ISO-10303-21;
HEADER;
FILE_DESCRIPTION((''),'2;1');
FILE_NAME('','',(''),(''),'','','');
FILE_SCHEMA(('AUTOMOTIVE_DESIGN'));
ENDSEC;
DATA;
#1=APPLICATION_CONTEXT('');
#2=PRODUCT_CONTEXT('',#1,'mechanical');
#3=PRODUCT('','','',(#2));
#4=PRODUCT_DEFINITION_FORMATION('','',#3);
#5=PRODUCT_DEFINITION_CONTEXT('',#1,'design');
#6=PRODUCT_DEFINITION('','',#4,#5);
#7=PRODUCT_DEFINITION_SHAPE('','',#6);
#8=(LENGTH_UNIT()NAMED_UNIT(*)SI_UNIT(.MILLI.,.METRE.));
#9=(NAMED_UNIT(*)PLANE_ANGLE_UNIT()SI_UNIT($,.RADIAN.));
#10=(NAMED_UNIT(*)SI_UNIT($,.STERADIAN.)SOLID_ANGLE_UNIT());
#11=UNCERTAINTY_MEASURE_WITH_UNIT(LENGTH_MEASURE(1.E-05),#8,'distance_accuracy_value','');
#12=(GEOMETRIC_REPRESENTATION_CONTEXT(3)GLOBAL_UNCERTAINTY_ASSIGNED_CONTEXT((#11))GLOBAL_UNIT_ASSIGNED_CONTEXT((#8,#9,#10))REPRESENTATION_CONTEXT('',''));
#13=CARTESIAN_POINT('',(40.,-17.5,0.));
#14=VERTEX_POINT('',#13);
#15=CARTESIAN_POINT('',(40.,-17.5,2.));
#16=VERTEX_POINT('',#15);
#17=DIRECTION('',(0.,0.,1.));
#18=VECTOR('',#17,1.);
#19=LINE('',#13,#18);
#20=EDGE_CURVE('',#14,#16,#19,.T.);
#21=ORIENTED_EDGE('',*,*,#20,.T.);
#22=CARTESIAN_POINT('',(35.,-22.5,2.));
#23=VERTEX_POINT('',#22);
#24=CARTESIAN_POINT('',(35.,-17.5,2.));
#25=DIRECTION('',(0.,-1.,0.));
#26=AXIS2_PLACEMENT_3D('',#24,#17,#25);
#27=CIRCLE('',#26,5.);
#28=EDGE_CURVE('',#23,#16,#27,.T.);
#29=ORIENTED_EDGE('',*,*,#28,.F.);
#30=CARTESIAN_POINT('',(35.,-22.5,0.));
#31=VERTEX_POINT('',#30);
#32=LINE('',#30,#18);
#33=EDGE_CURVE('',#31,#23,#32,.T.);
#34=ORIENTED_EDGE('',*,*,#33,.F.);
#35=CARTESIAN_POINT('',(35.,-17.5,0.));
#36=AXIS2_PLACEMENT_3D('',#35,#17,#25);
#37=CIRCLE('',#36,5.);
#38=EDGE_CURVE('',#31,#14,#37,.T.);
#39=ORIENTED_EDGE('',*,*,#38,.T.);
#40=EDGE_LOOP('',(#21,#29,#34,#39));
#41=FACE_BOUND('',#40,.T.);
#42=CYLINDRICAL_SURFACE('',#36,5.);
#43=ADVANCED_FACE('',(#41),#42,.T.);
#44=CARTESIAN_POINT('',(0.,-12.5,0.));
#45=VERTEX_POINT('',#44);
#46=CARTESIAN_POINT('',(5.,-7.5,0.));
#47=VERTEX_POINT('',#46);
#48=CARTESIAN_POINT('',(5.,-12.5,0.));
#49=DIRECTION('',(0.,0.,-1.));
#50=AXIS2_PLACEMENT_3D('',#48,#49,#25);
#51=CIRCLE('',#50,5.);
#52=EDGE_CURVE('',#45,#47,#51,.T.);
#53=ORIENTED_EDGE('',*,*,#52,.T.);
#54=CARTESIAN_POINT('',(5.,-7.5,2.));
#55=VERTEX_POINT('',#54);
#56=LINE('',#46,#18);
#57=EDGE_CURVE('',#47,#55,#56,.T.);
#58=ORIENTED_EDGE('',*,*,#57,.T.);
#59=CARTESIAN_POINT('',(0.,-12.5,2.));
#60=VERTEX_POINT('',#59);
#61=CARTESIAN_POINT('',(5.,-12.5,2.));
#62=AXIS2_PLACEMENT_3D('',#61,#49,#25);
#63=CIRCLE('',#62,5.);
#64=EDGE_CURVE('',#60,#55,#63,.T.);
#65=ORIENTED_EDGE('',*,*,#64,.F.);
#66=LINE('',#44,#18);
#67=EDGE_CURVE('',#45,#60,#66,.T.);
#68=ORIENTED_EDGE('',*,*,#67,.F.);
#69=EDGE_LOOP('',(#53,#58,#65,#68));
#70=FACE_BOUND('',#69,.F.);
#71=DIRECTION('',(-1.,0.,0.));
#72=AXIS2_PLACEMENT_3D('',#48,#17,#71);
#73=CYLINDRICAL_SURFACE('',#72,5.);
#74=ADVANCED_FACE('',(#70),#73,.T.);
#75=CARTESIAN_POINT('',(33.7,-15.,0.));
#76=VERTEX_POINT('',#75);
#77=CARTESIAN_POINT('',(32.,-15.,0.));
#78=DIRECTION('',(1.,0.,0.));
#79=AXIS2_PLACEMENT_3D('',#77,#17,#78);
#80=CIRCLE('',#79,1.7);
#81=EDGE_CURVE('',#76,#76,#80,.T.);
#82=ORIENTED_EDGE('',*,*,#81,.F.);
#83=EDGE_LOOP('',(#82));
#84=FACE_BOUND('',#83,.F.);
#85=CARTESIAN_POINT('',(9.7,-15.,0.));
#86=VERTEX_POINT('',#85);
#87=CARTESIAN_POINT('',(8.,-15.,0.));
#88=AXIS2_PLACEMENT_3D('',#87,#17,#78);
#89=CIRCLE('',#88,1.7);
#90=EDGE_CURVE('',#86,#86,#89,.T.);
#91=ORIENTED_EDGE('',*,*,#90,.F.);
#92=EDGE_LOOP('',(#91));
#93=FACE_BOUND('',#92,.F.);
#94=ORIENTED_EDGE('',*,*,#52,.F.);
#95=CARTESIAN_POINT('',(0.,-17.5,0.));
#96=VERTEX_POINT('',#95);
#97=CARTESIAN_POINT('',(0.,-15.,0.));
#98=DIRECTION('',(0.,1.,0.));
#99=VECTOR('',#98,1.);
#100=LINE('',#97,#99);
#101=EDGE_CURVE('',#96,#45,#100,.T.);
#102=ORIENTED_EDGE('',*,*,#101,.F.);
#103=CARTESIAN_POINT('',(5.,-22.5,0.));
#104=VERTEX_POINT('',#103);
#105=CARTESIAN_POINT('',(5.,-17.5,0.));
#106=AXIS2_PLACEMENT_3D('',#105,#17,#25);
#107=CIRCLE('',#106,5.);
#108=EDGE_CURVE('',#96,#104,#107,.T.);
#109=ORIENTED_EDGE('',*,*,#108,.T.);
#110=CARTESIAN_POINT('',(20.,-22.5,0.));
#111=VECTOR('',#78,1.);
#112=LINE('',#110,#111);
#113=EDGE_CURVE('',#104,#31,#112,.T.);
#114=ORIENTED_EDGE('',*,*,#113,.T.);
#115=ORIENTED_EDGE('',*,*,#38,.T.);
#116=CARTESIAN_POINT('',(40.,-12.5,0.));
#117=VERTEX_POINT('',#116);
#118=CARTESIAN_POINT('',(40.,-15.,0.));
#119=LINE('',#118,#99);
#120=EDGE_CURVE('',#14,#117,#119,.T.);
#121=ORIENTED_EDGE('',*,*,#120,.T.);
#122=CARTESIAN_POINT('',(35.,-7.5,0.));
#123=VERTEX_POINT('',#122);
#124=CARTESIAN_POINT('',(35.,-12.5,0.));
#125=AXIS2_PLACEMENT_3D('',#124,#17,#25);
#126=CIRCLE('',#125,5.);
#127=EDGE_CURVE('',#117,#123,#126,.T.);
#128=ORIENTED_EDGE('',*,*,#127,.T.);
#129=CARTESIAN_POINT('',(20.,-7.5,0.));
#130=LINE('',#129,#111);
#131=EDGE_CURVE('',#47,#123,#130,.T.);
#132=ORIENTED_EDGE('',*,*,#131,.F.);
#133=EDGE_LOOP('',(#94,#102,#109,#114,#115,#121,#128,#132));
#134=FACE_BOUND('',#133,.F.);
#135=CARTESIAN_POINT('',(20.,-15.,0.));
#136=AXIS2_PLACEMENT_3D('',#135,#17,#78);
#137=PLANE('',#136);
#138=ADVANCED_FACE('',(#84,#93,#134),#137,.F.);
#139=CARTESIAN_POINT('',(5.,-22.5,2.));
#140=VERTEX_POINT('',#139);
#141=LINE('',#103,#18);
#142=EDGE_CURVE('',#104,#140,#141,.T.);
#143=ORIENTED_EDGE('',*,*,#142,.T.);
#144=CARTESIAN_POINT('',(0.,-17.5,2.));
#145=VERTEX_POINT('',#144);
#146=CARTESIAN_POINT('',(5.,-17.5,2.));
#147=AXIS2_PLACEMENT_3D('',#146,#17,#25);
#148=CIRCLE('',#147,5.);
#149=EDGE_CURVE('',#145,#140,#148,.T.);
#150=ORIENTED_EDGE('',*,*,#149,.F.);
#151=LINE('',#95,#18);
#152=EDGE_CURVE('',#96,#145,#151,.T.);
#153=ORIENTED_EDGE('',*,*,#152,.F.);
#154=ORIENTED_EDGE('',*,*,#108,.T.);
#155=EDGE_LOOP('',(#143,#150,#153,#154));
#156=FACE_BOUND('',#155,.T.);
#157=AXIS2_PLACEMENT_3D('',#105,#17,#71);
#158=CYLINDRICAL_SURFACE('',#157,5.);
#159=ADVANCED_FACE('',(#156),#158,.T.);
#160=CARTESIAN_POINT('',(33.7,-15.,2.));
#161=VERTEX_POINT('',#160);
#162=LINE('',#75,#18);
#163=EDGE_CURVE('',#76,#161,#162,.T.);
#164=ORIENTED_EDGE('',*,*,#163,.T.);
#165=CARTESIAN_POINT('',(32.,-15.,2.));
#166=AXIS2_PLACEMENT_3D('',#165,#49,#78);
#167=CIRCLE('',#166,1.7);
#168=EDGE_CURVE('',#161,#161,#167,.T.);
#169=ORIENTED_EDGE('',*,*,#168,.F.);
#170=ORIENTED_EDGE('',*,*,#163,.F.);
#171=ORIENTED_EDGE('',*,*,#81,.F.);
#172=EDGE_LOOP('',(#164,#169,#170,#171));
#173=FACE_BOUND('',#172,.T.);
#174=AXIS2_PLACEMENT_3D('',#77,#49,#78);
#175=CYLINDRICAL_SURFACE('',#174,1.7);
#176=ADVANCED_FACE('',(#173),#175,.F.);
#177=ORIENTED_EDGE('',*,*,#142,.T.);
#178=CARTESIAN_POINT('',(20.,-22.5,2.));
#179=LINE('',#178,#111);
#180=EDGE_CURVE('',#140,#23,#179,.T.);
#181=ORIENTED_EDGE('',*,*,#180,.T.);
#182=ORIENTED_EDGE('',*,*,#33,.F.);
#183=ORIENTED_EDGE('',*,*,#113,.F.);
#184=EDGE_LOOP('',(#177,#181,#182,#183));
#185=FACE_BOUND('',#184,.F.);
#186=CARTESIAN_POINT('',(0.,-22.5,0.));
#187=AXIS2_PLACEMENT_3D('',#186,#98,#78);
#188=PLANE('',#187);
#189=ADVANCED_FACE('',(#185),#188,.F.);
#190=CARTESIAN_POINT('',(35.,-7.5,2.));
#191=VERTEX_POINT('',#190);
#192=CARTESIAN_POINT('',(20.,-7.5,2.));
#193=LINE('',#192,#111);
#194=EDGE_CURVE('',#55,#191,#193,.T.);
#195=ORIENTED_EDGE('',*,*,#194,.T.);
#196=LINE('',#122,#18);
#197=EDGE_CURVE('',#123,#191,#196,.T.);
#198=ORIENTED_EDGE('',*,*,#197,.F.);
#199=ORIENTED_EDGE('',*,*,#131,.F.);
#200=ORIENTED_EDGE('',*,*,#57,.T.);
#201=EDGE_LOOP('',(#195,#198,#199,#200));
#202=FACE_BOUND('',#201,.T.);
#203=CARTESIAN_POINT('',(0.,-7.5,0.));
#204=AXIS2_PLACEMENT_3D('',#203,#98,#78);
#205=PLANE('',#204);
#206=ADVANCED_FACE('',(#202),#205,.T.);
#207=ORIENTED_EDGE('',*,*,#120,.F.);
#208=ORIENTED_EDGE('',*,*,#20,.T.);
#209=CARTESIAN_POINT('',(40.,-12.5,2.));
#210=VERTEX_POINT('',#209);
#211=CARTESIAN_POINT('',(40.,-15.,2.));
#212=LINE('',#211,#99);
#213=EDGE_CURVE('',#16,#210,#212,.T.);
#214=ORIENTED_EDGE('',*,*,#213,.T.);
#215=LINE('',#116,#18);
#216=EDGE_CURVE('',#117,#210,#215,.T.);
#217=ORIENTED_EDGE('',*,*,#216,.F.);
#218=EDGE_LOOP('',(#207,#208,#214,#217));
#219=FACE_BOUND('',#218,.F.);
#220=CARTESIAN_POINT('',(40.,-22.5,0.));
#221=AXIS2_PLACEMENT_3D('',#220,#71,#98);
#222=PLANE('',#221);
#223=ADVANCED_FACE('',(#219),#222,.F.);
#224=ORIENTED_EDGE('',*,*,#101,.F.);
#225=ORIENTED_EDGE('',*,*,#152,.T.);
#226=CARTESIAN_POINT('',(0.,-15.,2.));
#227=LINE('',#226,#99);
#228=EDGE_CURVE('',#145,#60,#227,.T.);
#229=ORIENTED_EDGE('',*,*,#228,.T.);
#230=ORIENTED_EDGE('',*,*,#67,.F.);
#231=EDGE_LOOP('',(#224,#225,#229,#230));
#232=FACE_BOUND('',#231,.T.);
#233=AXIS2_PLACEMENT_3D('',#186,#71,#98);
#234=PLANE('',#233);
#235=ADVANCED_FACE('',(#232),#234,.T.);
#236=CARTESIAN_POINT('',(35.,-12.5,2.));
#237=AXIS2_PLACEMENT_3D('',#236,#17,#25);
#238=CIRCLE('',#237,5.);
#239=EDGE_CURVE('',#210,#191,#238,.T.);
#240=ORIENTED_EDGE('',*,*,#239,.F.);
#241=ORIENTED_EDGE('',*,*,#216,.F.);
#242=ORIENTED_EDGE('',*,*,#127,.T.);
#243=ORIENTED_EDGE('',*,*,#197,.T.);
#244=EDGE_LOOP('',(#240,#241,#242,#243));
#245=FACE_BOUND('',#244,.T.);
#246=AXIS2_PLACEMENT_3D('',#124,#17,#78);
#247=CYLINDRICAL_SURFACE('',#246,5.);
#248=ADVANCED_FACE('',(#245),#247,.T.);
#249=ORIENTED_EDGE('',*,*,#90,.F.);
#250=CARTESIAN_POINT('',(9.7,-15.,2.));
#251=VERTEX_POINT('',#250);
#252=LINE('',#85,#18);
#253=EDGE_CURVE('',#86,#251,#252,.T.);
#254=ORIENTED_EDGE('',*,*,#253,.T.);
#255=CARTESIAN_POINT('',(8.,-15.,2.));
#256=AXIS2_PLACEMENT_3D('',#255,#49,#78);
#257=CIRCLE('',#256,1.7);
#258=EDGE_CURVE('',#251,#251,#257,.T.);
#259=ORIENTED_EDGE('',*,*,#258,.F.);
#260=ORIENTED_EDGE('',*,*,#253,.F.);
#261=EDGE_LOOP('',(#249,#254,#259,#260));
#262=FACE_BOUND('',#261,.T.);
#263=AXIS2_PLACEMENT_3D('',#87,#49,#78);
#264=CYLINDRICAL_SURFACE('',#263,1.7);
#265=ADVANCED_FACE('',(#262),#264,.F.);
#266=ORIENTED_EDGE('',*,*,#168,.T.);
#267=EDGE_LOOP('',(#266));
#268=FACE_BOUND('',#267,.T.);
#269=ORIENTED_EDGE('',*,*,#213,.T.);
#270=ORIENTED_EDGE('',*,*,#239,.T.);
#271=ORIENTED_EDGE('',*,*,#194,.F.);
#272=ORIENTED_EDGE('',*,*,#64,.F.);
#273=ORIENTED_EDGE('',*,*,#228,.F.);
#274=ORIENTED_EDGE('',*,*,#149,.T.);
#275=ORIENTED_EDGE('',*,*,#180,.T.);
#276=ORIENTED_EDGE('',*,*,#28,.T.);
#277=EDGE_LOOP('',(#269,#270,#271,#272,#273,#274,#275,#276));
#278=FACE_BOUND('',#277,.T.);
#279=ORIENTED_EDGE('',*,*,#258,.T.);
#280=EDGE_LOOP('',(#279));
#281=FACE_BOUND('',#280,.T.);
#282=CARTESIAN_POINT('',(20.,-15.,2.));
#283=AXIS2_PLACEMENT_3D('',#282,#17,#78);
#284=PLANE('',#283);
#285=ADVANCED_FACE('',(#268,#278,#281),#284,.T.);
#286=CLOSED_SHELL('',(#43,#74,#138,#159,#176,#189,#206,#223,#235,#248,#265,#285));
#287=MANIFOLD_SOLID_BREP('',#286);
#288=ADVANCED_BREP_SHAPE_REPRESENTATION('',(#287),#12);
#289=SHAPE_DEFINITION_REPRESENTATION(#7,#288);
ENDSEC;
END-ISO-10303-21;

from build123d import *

# Parameters (mm, degrees)
CYLINDER001_R     = 1.7
CYLINDER001_DEPTH = 10
CYLINDER_R        = 1.7
CYLINDER_DEPTH    = 10
BOX003_W          = 40
BOX003_H          = 15
BOX003_DEPTH      = 2
FILLET003_R       = 5


with BuildPart() as cylinder001:
    # Cylinder001 → Cylinder001 (new body)
    with BuildSketch(Plane(origin=(32, 0, 0), x_dir=(1, 0, 0), z_dir=(0, 0, 1))):
        Circle(CYLINDER001_R)
    extrude(amount=CYLINDER001_DEPTH)


with BuildPart() as cylinder:
    # Cylinder → Cylinder (new body)
    with BuildSketch(Plane(origin=(8, 0, 0), x_dir=(1, 0, 0), z_dir=(0, 0, 1))):
        Circle(CYLINDER_R)
    extrude(amount=CYLINDER_DEPTH)


with BuildPart() as union:
    # Box003 → Box003 (new body)
    with BuildSketch(Plane.XY):
        with Locations((20, 7.5)):
            Rectangle(BOX003_W, BOX003_H)
    extrude(amount=BOX003_DEPTH)

    # Fillet003
    fillet003_edges = [union.edges().sort_by_distance(p)[0] for p in [
        (0, 0, 1),
        (0, 15, 1),
        (40, 0, 1),
        (40, 15, 1),
    ]]
    fillet(fillet003_edges, radius=FILLET003_R)


with BuildPart() as union_1:
    # Fillet003 placement: moved
    add(union.part.moved(Location((0, -7.5, 0))))

    # Cut002: cut Cylinder
    add(cylinder.part, mode=Mode.SUBTRACT)

    # Cut003: cut Cylinder001
    add(cylinder001.part, mode=Mode.SUBTRACT)


with BuildPart() as union_2:
    # Cut003 placement: moved
    add(union_1.part.moved(Location((0, -15, 0))))


solid = union_2.part
